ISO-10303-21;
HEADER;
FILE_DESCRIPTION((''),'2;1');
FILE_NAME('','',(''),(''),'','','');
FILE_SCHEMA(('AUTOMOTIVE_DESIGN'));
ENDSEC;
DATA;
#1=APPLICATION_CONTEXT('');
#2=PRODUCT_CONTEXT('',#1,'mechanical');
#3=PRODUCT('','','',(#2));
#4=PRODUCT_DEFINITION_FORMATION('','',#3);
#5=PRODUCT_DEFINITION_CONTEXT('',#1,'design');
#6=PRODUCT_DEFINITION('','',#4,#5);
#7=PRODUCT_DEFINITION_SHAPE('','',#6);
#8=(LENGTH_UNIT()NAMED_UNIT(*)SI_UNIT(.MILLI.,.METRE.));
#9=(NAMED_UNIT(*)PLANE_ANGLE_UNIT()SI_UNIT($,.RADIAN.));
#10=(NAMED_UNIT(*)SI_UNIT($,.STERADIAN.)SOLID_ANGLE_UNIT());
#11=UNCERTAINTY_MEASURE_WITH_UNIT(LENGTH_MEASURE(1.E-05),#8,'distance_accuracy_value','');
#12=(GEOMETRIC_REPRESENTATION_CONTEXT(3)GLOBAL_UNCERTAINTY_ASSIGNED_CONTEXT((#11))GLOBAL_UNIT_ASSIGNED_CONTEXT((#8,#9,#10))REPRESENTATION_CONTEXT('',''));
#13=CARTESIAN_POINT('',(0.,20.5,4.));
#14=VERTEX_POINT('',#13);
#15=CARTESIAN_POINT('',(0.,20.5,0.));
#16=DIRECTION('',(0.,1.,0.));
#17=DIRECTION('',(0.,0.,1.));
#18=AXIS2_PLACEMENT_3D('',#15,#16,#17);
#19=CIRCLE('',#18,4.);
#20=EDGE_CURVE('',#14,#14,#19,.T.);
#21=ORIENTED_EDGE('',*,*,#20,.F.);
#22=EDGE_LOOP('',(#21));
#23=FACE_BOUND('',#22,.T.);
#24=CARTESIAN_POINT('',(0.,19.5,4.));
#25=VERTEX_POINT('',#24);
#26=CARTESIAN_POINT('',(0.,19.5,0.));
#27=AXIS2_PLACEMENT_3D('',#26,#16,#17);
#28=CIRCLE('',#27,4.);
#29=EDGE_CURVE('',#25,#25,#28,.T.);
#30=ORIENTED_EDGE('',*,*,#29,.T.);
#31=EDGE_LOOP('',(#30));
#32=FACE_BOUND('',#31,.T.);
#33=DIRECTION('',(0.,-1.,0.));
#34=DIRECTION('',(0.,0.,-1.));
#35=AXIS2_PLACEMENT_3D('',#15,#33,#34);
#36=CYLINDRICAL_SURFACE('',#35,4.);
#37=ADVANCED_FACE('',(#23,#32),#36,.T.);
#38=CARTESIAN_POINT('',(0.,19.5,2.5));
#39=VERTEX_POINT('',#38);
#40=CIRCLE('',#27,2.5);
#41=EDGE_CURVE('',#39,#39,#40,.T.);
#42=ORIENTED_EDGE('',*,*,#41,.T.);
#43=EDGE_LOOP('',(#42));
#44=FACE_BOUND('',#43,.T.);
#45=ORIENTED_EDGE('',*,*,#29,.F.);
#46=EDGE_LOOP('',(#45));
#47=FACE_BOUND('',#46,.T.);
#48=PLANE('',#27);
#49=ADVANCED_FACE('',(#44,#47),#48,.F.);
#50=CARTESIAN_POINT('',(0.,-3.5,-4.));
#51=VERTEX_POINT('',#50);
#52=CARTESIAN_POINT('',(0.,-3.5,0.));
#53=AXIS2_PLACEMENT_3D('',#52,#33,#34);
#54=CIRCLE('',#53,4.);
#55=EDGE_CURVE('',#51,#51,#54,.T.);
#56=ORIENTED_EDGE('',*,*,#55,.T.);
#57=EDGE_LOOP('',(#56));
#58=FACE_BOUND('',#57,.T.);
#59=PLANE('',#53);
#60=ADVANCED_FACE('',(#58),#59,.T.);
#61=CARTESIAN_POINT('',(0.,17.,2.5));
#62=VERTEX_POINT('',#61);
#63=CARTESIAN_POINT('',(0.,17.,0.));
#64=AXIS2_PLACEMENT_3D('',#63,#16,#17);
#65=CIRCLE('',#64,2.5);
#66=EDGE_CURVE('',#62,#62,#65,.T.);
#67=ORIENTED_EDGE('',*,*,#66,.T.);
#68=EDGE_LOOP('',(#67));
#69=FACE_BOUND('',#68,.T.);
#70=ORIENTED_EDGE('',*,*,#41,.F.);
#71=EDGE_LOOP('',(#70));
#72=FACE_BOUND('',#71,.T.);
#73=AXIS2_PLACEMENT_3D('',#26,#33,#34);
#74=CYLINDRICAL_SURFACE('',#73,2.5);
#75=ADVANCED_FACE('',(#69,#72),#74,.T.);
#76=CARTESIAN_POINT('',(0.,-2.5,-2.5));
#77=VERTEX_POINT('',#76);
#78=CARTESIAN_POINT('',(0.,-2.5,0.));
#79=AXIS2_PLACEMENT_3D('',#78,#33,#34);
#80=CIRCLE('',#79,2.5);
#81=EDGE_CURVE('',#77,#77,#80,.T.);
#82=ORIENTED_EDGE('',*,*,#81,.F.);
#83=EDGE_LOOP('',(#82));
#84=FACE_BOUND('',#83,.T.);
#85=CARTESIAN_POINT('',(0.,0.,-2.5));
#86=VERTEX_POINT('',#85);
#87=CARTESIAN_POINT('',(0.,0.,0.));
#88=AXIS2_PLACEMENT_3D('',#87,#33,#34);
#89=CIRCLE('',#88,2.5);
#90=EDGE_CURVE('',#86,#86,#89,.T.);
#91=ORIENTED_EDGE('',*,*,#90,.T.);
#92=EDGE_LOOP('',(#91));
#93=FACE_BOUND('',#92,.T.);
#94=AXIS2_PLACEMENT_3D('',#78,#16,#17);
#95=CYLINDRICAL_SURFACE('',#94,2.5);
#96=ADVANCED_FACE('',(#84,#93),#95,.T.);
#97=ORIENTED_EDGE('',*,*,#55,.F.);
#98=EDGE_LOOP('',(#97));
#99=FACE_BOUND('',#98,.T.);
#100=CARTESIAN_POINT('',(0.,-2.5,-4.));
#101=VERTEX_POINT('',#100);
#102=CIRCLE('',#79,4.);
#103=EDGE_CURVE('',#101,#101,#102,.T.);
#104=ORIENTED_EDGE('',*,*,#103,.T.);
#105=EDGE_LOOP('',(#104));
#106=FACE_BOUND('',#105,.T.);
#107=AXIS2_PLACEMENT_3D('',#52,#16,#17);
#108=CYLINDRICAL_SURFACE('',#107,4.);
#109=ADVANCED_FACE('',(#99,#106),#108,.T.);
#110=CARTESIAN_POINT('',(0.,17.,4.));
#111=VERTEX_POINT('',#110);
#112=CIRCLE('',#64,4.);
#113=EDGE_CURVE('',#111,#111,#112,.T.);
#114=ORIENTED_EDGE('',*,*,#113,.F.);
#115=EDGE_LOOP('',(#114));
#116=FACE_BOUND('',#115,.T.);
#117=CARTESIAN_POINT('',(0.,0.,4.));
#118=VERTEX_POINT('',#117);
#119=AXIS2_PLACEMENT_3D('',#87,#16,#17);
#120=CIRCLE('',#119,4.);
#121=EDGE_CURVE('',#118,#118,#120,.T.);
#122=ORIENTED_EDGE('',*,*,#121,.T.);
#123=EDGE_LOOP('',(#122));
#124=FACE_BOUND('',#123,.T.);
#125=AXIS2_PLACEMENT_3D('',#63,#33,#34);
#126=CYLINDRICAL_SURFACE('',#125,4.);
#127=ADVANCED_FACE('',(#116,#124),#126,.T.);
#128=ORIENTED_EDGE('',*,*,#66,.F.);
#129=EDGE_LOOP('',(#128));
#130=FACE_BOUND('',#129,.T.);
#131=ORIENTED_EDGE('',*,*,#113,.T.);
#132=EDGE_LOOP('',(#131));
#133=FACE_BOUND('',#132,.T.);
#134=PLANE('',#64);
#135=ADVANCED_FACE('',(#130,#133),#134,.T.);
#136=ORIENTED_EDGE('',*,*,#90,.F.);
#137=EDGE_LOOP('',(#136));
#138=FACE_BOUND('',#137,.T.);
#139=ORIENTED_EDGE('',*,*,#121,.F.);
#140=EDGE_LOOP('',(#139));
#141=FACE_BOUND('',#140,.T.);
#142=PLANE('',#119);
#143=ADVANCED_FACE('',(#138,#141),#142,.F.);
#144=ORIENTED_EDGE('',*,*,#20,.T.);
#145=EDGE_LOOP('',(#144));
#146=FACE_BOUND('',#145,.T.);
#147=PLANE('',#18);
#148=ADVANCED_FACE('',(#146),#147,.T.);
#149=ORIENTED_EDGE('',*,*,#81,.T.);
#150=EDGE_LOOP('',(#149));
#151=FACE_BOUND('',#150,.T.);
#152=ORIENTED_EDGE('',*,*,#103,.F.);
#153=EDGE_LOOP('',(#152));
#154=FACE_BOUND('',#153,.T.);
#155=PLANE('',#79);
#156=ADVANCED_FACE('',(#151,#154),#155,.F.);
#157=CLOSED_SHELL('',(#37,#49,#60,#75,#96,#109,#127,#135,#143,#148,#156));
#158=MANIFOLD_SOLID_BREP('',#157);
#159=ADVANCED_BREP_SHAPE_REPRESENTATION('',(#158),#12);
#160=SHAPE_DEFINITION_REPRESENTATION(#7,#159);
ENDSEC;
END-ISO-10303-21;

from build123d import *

# Parameters (mm, degrees)
SKETCH1_R           = 4
BOSS_EXTRUDE1_DEPTH = 17
SKETCH2_R           = 2.5
BOSS_EXTRUDE2_DEPTH = 2.5
BOSS_EXTRUDE3_START = 1
SKETCH3_R           = 4
BOSS_EXTRUDE3_DEPTH = 1
BOSS_EXTRUDE4_START = 2.5
SKETCH4_R           = 2.5
BOSS_EXTRUDE4_DEPTH = 2.5
SKETCH5_R           = 4
BOSS_EXTRUDE5_DEPTH = 1


with BuildPart() as part:
    # Sketch1 → Boss-Extrude1 (new body)
    with BuildSketch(Plane(origin=(0, 0, 0), x_dir=(1, 0, 0), z_dir=(0, 1, 0))):
        with Locations(Location((0, 0, 0), (0, 0, 270))):
            Circle(SKETCH1_R)
    extrude(amount=BOSS_EXTRUDE1_DEPTH)

    # Sketch2 → Boss-Extrude2 (add)
    with BuildSketch(Plane.XZ):
        with Locations(Location((0, 0, 0), (0, 0, 270))):
            Circle(SKETCH2_R)
    extrude(amount=BOSS_EXTRUDE2_DEPTH)

    # Sketch3 → Boss-Extrude3 (add)
    with BuildSketch(Plane.XZ.offset(2.5).offset(BOSS_EXTRUDE3_START)):
        with Locations(Location((0, 0, 0), (0, 0, 90))):
            Circle(SKETCH3_R)
    extrude(amount=-BOSS_EXTRUDE3_DEPTH)

    # Sketch4 → Boss-Extrude4 (add)
    with BuildSketch(Plane(origin=(0, 17, 0), x_dir=(1, 0, 0), z_dir=(0, 1, 0)).offset(BOSS_EXTRUDE4_START)):
        with Locations(Location((0, 0, 0), (0, 0, 90))):
            Circle(SKETCH4_R)
    extrude(amount=-BOSS_EXTRUDE4_DEPTH)

    # Sketch5 → Boss-Extrude5 (add)
    with BuildSketch(Plane(origin=(0, 19.5, 0), x_dir=(1, 0, 0), z_dir=(0, 1, 0))):
        with Locations(Location((0, 0, 0), (0, 0, 270))):
            Circle(SKETCH5_R)
    extrude(amount=BOSS_EXTRUDE5_DEPTH)


solid = part.part
